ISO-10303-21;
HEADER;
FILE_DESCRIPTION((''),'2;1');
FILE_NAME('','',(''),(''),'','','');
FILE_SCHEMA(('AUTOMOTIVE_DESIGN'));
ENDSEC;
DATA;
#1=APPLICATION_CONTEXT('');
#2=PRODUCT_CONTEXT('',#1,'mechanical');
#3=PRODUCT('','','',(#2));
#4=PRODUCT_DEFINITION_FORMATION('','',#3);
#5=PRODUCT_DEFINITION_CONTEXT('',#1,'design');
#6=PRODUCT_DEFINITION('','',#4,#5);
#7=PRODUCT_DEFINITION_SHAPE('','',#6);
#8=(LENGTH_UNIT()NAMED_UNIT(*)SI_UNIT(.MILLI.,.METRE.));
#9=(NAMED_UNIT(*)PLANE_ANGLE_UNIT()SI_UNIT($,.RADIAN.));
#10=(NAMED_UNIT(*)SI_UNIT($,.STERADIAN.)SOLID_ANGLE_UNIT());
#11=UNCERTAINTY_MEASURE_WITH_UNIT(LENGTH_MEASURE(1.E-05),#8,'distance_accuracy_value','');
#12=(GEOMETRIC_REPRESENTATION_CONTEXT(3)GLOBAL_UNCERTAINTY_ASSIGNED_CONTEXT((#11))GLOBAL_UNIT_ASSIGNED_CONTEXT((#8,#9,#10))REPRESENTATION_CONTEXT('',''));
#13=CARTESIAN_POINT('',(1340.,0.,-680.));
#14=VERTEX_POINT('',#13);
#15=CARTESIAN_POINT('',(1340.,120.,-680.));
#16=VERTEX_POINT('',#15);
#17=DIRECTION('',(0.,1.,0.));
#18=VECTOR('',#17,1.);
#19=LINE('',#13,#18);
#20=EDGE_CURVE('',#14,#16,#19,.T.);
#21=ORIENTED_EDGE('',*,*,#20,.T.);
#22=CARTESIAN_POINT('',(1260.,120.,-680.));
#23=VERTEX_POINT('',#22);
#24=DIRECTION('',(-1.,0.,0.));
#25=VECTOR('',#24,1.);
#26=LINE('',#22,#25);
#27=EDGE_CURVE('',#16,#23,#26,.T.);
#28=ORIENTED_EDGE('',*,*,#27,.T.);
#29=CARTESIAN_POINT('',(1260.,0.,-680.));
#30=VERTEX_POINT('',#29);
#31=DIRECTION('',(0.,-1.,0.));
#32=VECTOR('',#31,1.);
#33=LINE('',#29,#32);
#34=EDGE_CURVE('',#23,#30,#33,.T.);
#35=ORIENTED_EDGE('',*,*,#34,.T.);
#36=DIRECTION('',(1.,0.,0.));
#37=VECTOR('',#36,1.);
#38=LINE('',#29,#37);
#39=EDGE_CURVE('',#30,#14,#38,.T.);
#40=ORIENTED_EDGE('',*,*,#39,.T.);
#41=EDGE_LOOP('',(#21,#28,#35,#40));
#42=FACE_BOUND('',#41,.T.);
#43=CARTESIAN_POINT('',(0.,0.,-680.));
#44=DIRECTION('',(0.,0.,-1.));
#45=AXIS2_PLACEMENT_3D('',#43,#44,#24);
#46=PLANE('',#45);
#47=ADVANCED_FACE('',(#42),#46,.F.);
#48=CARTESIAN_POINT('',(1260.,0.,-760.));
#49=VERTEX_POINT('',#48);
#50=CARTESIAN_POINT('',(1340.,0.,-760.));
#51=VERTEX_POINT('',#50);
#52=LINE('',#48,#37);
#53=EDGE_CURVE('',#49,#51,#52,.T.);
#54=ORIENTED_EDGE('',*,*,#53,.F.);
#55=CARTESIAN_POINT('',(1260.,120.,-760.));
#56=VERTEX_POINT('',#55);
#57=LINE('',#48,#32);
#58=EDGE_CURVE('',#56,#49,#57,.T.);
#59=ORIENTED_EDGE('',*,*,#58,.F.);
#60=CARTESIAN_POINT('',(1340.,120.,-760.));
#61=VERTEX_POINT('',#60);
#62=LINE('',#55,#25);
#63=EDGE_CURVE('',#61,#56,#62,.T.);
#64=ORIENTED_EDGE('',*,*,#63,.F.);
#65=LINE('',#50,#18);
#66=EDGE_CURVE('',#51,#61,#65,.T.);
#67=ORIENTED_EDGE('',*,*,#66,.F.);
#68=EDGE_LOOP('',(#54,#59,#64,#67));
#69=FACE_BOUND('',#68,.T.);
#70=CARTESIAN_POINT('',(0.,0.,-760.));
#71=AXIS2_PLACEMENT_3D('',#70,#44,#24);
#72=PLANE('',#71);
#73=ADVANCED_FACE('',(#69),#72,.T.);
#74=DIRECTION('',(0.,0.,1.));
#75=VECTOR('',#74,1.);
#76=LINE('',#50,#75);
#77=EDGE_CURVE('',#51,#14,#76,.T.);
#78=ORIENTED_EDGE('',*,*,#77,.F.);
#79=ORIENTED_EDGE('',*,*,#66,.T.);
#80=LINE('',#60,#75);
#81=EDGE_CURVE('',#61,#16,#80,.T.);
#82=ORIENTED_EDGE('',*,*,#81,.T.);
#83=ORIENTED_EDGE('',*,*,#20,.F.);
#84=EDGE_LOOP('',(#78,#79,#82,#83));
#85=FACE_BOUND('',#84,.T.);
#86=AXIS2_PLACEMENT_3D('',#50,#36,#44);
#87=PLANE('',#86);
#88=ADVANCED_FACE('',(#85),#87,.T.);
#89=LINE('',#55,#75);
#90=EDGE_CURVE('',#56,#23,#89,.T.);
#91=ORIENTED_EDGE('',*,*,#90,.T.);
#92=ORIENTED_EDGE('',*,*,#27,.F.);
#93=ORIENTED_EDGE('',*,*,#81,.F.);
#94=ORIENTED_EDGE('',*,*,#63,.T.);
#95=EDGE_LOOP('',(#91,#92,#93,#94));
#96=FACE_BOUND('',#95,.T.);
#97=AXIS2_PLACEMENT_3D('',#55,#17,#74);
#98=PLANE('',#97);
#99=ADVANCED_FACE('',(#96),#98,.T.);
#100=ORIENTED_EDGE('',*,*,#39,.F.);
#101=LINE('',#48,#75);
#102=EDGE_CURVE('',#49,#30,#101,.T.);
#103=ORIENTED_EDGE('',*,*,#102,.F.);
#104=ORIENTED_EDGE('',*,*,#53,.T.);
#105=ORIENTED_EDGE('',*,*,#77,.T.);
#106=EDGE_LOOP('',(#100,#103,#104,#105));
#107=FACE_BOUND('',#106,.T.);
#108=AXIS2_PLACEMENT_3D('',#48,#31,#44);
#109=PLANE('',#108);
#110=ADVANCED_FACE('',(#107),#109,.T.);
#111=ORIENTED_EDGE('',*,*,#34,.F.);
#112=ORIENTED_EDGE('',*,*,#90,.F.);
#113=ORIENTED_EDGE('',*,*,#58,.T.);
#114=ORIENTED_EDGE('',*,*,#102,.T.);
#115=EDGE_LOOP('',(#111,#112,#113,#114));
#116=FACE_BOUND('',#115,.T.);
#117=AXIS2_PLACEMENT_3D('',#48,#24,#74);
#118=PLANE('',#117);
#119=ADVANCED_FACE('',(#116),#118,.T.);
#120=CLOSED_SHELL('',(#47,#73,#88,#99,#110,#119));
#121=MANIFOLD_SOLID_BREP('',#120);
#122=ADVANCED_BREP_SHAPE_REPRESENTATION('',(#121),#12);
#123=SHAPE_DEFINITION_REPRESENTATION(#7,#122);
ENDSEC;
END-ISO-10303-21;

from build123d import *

# Parameters (mm, degrees)
STORE_AYAK_4_1_START = -680
SKETCH1_W            = 80
SKETCH1_H            = 120
STORE_AYAK_4_1_DEPTH = 80


with BuildPart() as part:
    # Sketch1 → STORE_ayak_4_1 (new body)
    with BuildSketch(Plane.XY.offset(STORE_AYAK_4_1_START)):
        with Locations((1300, 60)):
            Rectangle(SKETCH1_W, SKETCH1_H)
    extrude(amount=-STORE_AYAK_4_1_DEPTH)


solid = part.part
